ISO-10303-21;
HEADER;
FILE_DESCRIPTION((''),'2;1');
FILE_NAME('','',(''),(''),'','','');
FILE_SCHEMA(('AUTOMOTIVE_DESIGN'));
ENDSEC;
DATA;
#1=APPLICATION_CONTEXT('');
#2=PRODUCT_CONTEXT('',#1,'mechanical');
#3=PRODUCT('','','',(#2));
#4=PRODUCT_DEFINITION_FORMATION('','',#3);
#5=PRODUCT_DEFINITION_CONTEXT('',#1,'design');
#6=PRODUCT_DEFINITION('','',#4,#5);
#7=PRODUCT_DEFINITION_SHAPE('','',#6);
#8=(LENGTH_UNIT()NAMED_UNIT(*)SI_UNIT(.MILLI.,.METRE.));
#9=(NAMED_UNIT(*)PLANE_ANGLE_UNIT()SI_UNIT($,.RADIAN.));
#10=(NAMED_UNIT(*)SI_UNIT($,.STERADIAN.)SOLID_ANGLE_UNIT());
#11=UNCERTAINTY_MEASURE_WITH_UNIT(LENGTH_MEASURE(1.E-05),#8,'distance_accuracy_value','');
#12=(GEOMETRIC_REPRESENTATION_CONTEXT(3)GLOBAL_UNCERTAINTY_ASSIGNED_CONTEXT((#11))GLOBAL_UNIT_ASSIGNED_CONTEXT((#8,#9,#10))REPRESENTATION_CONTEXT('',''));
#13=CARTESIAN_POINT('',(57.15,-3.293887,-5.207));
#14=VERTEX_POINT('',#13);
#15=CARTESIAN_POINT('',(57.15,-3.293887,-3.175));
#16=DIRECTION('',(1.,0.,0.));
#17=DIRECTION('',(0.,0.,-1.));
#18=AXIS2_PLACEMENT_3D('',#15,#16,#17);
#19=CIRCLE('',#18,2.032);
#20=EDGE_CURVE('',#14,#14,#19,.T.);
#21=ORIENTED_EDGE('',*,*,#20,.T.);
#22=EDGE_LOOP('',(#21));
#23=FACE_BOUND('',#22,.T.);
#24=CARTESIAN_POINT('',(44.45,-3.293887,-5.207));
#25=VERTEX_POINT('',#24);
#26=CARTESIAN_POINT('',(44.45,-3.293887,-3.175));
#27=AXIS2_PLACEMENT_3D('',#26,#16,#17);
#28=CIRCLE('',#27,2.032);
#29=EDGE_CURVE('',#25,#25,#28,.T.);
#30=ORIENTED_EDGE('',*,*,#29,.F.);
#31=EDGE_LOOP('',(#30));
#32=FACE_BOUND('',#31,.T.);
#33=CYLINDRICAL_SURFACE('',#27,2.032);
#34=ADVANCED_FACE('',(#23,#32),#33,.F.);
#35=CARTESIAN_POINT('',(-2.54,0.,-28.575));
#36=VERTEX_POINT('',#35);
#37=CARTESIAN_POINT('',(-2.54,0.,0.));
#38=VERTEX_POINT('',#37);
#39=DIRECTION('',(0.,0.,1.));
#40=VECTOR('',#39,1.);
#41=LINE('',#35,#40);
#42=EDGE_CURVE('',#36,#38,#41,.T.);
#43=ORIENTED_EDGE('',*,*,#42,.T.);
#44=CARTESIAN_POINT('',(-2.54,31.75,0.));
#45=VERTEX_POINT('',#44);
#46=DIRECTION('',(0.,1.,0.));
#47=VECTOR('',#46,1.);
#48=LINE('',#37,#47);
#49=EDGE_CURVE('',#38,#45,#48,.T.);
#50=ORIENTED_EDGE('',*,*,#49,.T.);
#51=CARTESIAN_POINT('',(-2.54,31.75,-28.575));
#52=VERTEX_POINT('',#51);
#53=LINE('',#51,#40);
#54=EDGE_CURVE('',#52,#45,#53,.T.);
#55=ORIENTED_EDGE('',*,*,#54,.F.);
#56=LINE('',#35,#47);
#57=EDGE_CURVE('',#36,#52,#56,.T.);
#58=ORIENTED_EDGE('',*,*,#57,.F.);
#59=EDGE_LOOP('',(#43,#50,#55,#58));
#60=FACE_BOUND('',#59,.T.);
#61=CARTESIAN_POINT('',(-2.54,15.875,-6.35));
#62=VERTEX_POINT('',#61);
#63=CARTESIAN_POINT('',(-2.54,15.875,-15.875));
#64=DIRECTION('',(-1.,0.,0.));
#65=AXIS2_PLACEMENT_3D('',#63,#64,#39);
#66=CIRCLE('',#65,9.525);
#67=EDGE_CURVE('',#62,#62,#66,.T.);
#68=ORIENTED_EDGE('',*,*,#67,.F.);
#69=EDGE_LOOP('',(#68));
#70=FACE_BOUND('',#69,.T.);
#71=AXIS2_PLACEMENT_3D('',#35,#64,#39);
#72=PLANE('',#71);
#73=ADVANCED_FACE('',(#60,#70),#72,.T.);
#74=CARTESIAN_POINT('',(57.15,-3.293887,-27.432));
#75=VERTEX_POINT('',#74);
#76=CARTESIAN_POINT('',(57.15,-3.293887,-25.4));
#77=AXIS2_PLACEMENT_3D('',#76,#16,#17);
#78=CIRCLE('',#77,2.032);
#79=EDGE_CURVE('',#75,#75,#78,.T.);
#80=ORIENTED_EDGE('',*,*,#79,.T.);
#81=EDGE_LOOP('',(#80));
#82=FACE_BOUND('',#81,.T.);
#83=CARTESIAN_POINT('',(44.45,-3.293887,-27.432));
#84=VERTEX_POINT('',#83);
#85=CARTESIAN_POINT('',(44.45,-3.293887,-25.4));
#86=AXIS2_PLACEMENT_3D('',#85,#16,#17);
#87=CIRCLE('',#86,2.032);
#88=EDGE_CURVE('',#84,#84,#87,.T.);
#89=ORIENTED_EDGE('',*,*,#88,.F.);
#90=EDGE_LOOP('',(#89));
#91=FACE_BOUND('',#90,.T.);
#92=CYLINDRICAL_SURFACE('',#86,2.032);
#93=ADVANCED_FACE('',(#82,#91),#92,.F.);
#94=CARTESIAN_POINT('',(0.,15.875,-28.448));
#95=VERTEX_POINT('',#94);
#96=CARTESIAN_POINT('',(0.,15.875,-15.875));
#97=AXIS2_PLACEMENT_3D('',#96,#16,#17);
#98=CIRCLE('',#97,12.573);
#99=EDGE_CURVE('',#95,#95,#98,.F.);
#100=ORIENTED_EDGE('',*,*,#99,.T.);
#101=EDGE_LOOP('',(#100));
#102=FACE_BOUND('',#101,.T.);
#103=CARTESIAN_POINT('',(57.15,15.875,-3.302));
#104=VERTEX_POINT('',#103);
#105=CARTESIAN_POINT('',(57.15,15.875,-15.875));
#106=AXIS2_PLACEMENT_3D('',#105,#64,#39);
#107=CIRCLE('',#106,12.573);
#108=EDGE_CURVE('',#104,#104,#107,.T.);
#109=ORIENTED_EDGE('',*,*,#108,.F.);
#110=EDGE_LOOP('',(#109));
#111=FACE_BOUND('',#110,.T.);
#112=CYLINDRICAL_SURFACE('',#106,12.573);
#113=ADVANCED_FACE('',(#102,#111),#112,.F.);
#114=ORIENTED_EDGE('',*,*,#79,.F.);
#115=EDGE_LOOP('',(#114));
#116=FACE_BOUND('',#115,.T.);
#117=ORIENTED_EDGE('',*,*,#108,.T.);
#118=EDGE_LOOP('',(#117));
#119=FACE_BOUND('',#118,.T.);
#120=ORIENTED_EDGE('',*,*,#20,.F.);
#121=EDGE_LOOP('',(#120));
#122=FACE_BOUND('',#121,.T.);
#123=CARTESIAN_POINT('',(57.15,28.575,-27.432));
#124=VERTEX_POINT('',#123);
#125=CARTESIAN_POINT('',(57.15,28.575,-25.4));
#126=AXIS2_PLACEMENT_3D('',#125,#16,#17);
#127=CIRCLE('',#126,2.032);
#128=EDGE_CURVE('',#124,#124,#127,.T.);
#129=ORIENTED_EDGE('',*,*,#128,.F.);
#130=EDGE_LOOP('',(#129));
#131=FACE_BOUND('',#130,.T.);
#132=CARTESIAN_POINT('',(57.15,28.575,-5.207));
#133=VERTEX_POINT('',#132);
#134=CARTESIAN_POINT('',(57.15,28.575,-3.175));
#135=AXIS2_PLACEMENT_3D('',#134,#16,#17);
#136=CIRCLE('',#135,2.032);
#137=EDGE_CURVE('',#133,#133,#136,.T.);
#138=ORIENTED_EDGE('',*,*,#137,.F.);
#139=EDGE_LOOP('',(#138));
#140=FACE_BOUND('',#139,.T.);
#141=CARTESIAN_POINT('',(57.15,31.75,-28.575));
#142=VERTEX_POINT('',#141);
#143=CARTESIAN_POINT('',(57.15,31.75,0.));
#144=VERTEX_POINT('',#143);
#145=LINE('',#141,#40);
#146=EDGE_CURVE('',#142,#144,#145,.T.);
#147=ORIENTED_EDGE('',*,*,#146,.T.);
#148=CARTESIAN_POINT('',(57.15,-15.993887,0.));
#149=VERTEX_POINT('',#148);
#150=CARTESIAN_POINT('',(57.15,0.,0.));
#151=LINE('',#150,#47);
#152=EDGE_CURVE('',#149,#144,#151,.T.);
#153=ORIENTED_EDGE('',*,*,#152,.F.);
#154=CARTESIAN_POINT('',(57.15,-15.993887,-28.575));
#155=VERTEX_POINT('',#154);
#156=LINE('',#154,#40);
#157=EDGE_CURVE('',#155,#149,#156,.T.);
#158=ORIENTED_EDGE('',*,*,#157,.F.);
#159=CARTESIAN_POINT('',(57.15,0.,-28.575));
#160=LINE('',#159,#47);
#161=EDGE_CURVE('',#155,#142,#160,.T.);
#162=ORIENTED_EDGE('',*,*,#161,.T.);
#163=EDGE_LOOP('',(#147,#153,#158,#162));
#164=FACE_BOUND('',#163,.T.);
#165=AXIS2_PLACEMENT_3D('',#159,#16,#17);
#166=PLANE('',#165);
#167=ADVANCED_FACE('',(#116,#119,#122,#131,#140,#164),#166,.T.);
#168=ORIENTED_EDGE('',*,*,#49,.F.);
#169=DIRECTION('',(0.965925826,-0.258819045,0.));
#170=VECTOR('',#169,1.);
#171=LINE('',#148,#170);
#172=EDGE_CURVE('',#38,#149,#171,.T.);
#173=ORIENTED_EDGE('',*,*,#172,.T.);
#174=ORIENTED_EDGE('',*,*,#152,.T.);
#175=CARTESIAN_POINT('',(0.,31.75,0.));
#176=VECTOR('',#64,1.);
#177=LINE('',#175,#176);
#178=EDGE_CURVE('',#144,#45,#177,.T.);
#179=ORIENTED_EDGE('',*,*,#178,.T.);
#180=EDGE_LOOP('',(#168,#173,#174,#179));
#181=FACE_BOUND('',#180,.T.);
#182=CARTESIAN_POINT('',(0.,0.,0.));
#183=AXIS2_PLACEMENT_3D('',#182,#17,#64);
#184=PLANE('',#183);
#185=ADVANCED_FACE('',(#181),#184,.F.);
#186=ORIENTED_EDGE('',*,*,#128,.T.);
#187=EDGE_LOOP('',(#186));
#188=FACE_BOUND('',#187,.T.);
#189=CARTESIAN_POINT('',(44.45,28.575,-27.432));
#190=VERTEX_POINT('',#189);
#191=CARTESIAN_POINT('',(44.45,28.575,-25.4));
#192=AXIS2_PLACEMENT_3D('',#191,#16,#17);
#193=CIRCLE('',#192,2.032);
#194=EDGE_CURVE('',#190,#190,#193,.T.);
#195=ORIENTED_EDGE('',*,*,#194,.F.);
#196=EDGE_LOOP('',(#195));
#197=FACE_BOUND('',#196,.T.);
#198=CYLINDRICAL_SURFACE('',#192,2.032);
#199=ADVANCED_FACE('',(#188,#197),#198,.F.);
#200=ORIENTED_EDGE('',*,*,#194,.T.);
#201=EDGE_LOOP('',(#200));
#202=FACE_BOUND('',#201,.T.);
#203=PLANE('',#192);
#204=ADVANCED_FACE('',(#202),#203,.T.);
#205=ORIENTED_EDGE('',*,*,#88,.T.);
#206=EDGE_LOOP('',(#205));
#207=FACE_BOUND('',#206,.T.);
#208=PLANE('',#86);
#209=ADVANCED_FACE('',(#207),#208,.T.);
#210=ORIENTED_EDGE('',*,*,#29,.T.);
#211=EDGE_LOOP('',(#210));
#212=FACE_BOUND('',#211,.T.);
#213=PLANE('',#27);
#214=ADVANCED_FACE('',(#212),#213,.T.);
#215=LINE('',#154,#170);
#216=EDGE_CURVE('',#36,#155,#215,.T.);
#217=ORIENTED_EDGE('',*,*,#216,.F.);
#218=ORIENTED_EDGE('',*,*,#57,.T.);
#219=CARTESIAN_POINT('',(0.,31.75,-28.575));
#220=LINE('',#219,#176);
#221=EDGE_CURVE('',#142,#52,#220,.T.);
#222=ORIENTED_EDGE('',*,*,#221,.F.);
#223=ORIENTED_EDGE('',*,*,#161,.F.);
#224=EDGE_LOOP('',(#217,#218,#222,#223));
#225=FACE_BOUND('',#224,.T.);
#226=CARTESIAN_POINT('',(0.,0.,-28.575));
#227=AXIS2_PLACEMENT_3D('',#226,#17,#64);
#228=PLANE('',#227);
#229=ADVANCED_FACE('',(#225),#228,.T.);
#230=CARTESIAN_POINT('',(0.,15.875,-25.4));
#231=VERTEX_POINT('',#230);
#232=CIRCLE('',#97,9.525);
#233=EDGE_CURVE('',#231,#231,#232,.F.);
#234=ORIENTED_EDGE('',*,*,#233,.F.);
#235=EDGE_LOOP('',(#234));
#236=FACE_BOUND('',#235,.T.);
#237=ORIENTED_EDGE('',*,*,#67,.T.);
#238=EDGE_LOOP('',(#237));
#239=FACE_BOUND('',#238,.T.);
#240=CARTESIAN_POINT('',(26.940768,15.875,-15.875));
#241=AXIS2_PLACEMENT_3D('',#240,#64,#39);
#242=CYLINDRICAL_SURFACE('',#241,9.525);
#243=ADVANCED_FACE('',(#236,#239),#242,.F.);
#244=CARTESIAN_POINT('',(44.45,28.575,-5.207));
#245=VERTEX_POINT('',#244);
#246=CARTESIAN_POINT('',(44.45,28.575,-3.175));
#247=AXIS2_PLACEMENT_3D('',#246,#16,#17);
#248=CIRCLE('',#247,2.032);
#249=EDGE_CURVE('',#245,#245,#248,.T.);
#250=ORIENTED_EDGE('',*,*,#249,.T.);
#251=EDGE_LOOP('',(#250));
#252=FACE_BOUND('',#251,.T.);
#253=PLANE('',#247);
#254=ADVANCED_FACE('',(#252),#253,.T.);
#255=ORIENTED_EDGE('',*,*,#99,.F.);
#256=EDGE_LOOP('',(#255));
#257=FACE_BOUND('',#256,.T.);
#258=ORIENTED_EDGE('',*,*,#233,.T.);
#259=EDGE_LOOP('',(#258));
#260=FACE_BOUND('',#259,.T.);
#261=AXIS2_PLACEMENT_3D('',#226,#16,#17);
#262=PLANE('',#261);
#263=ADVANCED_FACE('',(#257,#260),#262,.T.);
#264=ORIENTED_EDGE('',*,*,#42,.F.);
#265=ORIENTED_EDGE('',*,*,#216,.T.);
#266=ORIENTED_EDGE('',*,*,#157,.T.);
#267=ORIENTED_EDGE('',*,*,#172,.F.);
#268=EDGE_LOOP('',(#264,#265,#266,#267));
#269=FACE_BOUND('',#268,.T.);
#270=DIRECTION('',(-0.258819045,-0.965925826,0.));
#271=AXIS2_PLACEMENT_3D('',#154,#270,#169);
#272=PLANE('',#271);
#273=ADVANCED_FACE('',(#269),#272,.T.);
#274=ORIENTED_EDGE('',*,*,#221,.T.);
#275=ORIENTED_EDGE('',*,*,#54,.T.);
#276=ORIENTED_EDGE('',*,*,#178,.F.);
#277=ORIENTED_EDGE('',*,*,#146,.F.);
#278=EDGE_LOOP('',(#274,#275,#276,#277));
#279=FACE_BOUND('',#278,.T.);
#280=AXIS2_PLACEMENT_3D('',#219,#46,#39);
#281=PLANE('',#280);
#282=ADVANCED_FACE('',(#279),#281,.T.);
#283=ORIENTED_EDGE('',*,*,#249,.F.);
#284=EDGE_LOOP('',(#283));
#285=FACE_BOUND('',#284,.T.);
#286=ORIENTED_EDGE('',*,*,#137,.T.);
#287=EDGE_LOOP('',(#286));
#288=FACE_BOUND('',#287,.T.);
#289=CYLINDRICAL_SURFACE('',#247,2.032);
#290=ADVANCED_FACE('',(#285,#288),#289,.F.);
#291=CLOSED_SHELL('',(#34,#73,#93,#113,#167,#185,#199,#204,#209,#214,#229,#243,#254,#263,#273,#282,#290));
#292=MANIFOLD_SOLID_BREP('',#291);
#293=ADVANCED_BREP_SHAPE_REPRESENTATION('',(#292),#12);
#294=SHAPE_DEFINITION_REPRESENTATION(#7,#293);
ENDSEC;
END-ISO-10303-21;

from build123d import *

# Parameters (mm, degrees)
SKETCH1_W           = 57.15
SKETCH1_H           = 31.75
BOSS_EXTRUDE1_DEPTH = 28.575
SKETCH2_R           = 12.573
CUT_EXTRUDE1_DEPTH  = 72.349251047
SKETCH3_W           = 2.54
SKETCH3_H           = 28.575
BOSS_EXTRUDE2_DEPTH = 31.75
SKETCH4_R           = 9.525
CUT_EXTRUDE2_DEPTH  = 2.54
BOSS_EXTRUDE3_DEPTH = 28.575
SKETCH6_R           = 2.032
CUT_EXTRUDE3_DEPTH  = 12.7


with BuildPart() as part:
    # Sketch1 → Boss-Extrude1 (new body)
    with BuildSketch(Plane.XY):
        with Locations((28.575, 15.875)):
            Rectangle(SKETCH1_W, SKETCH1_H)
    extrude(amount=-BOSS_EXTRUDE1_DEPTH)

    # Sketch2 → Cut-Extrude1 (cut, through all)
    with BuildSketch(Plane.ZY):
        with Locations((-15.875, 15.875)):
            Circle(SKETCH2_R)
    extrude(amount=-CUT_EXTRUDE1_DEPTH, mode=Mode.SUBTRACT)

    # Sketch3 → Boss-Extrude2 (add)
    with BuildSketch(Plane(origin=(0, 31.75, 0), x_dir=(1, 0, 0), z_dir=(0, 1, 0))):
        with Locations((-1.27, 14.2875)):
            Rectangle(SKETCH3_W, SKETCH3_H)
    extrude(amount=-BOSS_EXTRUDE2_DEPTH)

    # Sketch4 → Cut-Extrude2 (cut)
    with BuildSketch(Plane.ZY.offset(2.54)):
        with Locations((-15.875, 15.875)):
            Circle(SKETCH4_R)
    extrude(amount=-CUT_EXTRUDE2_DEPTH, mode=Mode.SUBTRACT)

    # Sketch5 → Boss-Extrude3 (add)
    with BuildSketch(Plane.XY):
        Polygon((-2.54, 0), (57.15, 0), (57.15, -15.993887296), align=None)
    extrude(amount=-BOSS_EXTRUDE3_DEPTH)

    # Sketch6 → Cut-Extrude3 (cut)
    with BuildSketch(Plane(origin=(57.15, 0, 0), x_dir=(0, 0, -1), z_dir=(1, 0, 0))):
        with Locations((3.175, 28.575)):
            Circle(SKETCH6_R)
        with Locations((25.4, 28.575)):
            Circle(SKETCH6_R)
        with Locations((25.4, -3.293887296)):
            Circle(SKETCH6_R)
        with Locations((3.175, -3.293887296)):
            Circle(SKETCH6_R)
    extrude(amount=-CUT_EXTRUDE3_DEPTH, mode=Mode.SUBTRACT)


solid = part.part
